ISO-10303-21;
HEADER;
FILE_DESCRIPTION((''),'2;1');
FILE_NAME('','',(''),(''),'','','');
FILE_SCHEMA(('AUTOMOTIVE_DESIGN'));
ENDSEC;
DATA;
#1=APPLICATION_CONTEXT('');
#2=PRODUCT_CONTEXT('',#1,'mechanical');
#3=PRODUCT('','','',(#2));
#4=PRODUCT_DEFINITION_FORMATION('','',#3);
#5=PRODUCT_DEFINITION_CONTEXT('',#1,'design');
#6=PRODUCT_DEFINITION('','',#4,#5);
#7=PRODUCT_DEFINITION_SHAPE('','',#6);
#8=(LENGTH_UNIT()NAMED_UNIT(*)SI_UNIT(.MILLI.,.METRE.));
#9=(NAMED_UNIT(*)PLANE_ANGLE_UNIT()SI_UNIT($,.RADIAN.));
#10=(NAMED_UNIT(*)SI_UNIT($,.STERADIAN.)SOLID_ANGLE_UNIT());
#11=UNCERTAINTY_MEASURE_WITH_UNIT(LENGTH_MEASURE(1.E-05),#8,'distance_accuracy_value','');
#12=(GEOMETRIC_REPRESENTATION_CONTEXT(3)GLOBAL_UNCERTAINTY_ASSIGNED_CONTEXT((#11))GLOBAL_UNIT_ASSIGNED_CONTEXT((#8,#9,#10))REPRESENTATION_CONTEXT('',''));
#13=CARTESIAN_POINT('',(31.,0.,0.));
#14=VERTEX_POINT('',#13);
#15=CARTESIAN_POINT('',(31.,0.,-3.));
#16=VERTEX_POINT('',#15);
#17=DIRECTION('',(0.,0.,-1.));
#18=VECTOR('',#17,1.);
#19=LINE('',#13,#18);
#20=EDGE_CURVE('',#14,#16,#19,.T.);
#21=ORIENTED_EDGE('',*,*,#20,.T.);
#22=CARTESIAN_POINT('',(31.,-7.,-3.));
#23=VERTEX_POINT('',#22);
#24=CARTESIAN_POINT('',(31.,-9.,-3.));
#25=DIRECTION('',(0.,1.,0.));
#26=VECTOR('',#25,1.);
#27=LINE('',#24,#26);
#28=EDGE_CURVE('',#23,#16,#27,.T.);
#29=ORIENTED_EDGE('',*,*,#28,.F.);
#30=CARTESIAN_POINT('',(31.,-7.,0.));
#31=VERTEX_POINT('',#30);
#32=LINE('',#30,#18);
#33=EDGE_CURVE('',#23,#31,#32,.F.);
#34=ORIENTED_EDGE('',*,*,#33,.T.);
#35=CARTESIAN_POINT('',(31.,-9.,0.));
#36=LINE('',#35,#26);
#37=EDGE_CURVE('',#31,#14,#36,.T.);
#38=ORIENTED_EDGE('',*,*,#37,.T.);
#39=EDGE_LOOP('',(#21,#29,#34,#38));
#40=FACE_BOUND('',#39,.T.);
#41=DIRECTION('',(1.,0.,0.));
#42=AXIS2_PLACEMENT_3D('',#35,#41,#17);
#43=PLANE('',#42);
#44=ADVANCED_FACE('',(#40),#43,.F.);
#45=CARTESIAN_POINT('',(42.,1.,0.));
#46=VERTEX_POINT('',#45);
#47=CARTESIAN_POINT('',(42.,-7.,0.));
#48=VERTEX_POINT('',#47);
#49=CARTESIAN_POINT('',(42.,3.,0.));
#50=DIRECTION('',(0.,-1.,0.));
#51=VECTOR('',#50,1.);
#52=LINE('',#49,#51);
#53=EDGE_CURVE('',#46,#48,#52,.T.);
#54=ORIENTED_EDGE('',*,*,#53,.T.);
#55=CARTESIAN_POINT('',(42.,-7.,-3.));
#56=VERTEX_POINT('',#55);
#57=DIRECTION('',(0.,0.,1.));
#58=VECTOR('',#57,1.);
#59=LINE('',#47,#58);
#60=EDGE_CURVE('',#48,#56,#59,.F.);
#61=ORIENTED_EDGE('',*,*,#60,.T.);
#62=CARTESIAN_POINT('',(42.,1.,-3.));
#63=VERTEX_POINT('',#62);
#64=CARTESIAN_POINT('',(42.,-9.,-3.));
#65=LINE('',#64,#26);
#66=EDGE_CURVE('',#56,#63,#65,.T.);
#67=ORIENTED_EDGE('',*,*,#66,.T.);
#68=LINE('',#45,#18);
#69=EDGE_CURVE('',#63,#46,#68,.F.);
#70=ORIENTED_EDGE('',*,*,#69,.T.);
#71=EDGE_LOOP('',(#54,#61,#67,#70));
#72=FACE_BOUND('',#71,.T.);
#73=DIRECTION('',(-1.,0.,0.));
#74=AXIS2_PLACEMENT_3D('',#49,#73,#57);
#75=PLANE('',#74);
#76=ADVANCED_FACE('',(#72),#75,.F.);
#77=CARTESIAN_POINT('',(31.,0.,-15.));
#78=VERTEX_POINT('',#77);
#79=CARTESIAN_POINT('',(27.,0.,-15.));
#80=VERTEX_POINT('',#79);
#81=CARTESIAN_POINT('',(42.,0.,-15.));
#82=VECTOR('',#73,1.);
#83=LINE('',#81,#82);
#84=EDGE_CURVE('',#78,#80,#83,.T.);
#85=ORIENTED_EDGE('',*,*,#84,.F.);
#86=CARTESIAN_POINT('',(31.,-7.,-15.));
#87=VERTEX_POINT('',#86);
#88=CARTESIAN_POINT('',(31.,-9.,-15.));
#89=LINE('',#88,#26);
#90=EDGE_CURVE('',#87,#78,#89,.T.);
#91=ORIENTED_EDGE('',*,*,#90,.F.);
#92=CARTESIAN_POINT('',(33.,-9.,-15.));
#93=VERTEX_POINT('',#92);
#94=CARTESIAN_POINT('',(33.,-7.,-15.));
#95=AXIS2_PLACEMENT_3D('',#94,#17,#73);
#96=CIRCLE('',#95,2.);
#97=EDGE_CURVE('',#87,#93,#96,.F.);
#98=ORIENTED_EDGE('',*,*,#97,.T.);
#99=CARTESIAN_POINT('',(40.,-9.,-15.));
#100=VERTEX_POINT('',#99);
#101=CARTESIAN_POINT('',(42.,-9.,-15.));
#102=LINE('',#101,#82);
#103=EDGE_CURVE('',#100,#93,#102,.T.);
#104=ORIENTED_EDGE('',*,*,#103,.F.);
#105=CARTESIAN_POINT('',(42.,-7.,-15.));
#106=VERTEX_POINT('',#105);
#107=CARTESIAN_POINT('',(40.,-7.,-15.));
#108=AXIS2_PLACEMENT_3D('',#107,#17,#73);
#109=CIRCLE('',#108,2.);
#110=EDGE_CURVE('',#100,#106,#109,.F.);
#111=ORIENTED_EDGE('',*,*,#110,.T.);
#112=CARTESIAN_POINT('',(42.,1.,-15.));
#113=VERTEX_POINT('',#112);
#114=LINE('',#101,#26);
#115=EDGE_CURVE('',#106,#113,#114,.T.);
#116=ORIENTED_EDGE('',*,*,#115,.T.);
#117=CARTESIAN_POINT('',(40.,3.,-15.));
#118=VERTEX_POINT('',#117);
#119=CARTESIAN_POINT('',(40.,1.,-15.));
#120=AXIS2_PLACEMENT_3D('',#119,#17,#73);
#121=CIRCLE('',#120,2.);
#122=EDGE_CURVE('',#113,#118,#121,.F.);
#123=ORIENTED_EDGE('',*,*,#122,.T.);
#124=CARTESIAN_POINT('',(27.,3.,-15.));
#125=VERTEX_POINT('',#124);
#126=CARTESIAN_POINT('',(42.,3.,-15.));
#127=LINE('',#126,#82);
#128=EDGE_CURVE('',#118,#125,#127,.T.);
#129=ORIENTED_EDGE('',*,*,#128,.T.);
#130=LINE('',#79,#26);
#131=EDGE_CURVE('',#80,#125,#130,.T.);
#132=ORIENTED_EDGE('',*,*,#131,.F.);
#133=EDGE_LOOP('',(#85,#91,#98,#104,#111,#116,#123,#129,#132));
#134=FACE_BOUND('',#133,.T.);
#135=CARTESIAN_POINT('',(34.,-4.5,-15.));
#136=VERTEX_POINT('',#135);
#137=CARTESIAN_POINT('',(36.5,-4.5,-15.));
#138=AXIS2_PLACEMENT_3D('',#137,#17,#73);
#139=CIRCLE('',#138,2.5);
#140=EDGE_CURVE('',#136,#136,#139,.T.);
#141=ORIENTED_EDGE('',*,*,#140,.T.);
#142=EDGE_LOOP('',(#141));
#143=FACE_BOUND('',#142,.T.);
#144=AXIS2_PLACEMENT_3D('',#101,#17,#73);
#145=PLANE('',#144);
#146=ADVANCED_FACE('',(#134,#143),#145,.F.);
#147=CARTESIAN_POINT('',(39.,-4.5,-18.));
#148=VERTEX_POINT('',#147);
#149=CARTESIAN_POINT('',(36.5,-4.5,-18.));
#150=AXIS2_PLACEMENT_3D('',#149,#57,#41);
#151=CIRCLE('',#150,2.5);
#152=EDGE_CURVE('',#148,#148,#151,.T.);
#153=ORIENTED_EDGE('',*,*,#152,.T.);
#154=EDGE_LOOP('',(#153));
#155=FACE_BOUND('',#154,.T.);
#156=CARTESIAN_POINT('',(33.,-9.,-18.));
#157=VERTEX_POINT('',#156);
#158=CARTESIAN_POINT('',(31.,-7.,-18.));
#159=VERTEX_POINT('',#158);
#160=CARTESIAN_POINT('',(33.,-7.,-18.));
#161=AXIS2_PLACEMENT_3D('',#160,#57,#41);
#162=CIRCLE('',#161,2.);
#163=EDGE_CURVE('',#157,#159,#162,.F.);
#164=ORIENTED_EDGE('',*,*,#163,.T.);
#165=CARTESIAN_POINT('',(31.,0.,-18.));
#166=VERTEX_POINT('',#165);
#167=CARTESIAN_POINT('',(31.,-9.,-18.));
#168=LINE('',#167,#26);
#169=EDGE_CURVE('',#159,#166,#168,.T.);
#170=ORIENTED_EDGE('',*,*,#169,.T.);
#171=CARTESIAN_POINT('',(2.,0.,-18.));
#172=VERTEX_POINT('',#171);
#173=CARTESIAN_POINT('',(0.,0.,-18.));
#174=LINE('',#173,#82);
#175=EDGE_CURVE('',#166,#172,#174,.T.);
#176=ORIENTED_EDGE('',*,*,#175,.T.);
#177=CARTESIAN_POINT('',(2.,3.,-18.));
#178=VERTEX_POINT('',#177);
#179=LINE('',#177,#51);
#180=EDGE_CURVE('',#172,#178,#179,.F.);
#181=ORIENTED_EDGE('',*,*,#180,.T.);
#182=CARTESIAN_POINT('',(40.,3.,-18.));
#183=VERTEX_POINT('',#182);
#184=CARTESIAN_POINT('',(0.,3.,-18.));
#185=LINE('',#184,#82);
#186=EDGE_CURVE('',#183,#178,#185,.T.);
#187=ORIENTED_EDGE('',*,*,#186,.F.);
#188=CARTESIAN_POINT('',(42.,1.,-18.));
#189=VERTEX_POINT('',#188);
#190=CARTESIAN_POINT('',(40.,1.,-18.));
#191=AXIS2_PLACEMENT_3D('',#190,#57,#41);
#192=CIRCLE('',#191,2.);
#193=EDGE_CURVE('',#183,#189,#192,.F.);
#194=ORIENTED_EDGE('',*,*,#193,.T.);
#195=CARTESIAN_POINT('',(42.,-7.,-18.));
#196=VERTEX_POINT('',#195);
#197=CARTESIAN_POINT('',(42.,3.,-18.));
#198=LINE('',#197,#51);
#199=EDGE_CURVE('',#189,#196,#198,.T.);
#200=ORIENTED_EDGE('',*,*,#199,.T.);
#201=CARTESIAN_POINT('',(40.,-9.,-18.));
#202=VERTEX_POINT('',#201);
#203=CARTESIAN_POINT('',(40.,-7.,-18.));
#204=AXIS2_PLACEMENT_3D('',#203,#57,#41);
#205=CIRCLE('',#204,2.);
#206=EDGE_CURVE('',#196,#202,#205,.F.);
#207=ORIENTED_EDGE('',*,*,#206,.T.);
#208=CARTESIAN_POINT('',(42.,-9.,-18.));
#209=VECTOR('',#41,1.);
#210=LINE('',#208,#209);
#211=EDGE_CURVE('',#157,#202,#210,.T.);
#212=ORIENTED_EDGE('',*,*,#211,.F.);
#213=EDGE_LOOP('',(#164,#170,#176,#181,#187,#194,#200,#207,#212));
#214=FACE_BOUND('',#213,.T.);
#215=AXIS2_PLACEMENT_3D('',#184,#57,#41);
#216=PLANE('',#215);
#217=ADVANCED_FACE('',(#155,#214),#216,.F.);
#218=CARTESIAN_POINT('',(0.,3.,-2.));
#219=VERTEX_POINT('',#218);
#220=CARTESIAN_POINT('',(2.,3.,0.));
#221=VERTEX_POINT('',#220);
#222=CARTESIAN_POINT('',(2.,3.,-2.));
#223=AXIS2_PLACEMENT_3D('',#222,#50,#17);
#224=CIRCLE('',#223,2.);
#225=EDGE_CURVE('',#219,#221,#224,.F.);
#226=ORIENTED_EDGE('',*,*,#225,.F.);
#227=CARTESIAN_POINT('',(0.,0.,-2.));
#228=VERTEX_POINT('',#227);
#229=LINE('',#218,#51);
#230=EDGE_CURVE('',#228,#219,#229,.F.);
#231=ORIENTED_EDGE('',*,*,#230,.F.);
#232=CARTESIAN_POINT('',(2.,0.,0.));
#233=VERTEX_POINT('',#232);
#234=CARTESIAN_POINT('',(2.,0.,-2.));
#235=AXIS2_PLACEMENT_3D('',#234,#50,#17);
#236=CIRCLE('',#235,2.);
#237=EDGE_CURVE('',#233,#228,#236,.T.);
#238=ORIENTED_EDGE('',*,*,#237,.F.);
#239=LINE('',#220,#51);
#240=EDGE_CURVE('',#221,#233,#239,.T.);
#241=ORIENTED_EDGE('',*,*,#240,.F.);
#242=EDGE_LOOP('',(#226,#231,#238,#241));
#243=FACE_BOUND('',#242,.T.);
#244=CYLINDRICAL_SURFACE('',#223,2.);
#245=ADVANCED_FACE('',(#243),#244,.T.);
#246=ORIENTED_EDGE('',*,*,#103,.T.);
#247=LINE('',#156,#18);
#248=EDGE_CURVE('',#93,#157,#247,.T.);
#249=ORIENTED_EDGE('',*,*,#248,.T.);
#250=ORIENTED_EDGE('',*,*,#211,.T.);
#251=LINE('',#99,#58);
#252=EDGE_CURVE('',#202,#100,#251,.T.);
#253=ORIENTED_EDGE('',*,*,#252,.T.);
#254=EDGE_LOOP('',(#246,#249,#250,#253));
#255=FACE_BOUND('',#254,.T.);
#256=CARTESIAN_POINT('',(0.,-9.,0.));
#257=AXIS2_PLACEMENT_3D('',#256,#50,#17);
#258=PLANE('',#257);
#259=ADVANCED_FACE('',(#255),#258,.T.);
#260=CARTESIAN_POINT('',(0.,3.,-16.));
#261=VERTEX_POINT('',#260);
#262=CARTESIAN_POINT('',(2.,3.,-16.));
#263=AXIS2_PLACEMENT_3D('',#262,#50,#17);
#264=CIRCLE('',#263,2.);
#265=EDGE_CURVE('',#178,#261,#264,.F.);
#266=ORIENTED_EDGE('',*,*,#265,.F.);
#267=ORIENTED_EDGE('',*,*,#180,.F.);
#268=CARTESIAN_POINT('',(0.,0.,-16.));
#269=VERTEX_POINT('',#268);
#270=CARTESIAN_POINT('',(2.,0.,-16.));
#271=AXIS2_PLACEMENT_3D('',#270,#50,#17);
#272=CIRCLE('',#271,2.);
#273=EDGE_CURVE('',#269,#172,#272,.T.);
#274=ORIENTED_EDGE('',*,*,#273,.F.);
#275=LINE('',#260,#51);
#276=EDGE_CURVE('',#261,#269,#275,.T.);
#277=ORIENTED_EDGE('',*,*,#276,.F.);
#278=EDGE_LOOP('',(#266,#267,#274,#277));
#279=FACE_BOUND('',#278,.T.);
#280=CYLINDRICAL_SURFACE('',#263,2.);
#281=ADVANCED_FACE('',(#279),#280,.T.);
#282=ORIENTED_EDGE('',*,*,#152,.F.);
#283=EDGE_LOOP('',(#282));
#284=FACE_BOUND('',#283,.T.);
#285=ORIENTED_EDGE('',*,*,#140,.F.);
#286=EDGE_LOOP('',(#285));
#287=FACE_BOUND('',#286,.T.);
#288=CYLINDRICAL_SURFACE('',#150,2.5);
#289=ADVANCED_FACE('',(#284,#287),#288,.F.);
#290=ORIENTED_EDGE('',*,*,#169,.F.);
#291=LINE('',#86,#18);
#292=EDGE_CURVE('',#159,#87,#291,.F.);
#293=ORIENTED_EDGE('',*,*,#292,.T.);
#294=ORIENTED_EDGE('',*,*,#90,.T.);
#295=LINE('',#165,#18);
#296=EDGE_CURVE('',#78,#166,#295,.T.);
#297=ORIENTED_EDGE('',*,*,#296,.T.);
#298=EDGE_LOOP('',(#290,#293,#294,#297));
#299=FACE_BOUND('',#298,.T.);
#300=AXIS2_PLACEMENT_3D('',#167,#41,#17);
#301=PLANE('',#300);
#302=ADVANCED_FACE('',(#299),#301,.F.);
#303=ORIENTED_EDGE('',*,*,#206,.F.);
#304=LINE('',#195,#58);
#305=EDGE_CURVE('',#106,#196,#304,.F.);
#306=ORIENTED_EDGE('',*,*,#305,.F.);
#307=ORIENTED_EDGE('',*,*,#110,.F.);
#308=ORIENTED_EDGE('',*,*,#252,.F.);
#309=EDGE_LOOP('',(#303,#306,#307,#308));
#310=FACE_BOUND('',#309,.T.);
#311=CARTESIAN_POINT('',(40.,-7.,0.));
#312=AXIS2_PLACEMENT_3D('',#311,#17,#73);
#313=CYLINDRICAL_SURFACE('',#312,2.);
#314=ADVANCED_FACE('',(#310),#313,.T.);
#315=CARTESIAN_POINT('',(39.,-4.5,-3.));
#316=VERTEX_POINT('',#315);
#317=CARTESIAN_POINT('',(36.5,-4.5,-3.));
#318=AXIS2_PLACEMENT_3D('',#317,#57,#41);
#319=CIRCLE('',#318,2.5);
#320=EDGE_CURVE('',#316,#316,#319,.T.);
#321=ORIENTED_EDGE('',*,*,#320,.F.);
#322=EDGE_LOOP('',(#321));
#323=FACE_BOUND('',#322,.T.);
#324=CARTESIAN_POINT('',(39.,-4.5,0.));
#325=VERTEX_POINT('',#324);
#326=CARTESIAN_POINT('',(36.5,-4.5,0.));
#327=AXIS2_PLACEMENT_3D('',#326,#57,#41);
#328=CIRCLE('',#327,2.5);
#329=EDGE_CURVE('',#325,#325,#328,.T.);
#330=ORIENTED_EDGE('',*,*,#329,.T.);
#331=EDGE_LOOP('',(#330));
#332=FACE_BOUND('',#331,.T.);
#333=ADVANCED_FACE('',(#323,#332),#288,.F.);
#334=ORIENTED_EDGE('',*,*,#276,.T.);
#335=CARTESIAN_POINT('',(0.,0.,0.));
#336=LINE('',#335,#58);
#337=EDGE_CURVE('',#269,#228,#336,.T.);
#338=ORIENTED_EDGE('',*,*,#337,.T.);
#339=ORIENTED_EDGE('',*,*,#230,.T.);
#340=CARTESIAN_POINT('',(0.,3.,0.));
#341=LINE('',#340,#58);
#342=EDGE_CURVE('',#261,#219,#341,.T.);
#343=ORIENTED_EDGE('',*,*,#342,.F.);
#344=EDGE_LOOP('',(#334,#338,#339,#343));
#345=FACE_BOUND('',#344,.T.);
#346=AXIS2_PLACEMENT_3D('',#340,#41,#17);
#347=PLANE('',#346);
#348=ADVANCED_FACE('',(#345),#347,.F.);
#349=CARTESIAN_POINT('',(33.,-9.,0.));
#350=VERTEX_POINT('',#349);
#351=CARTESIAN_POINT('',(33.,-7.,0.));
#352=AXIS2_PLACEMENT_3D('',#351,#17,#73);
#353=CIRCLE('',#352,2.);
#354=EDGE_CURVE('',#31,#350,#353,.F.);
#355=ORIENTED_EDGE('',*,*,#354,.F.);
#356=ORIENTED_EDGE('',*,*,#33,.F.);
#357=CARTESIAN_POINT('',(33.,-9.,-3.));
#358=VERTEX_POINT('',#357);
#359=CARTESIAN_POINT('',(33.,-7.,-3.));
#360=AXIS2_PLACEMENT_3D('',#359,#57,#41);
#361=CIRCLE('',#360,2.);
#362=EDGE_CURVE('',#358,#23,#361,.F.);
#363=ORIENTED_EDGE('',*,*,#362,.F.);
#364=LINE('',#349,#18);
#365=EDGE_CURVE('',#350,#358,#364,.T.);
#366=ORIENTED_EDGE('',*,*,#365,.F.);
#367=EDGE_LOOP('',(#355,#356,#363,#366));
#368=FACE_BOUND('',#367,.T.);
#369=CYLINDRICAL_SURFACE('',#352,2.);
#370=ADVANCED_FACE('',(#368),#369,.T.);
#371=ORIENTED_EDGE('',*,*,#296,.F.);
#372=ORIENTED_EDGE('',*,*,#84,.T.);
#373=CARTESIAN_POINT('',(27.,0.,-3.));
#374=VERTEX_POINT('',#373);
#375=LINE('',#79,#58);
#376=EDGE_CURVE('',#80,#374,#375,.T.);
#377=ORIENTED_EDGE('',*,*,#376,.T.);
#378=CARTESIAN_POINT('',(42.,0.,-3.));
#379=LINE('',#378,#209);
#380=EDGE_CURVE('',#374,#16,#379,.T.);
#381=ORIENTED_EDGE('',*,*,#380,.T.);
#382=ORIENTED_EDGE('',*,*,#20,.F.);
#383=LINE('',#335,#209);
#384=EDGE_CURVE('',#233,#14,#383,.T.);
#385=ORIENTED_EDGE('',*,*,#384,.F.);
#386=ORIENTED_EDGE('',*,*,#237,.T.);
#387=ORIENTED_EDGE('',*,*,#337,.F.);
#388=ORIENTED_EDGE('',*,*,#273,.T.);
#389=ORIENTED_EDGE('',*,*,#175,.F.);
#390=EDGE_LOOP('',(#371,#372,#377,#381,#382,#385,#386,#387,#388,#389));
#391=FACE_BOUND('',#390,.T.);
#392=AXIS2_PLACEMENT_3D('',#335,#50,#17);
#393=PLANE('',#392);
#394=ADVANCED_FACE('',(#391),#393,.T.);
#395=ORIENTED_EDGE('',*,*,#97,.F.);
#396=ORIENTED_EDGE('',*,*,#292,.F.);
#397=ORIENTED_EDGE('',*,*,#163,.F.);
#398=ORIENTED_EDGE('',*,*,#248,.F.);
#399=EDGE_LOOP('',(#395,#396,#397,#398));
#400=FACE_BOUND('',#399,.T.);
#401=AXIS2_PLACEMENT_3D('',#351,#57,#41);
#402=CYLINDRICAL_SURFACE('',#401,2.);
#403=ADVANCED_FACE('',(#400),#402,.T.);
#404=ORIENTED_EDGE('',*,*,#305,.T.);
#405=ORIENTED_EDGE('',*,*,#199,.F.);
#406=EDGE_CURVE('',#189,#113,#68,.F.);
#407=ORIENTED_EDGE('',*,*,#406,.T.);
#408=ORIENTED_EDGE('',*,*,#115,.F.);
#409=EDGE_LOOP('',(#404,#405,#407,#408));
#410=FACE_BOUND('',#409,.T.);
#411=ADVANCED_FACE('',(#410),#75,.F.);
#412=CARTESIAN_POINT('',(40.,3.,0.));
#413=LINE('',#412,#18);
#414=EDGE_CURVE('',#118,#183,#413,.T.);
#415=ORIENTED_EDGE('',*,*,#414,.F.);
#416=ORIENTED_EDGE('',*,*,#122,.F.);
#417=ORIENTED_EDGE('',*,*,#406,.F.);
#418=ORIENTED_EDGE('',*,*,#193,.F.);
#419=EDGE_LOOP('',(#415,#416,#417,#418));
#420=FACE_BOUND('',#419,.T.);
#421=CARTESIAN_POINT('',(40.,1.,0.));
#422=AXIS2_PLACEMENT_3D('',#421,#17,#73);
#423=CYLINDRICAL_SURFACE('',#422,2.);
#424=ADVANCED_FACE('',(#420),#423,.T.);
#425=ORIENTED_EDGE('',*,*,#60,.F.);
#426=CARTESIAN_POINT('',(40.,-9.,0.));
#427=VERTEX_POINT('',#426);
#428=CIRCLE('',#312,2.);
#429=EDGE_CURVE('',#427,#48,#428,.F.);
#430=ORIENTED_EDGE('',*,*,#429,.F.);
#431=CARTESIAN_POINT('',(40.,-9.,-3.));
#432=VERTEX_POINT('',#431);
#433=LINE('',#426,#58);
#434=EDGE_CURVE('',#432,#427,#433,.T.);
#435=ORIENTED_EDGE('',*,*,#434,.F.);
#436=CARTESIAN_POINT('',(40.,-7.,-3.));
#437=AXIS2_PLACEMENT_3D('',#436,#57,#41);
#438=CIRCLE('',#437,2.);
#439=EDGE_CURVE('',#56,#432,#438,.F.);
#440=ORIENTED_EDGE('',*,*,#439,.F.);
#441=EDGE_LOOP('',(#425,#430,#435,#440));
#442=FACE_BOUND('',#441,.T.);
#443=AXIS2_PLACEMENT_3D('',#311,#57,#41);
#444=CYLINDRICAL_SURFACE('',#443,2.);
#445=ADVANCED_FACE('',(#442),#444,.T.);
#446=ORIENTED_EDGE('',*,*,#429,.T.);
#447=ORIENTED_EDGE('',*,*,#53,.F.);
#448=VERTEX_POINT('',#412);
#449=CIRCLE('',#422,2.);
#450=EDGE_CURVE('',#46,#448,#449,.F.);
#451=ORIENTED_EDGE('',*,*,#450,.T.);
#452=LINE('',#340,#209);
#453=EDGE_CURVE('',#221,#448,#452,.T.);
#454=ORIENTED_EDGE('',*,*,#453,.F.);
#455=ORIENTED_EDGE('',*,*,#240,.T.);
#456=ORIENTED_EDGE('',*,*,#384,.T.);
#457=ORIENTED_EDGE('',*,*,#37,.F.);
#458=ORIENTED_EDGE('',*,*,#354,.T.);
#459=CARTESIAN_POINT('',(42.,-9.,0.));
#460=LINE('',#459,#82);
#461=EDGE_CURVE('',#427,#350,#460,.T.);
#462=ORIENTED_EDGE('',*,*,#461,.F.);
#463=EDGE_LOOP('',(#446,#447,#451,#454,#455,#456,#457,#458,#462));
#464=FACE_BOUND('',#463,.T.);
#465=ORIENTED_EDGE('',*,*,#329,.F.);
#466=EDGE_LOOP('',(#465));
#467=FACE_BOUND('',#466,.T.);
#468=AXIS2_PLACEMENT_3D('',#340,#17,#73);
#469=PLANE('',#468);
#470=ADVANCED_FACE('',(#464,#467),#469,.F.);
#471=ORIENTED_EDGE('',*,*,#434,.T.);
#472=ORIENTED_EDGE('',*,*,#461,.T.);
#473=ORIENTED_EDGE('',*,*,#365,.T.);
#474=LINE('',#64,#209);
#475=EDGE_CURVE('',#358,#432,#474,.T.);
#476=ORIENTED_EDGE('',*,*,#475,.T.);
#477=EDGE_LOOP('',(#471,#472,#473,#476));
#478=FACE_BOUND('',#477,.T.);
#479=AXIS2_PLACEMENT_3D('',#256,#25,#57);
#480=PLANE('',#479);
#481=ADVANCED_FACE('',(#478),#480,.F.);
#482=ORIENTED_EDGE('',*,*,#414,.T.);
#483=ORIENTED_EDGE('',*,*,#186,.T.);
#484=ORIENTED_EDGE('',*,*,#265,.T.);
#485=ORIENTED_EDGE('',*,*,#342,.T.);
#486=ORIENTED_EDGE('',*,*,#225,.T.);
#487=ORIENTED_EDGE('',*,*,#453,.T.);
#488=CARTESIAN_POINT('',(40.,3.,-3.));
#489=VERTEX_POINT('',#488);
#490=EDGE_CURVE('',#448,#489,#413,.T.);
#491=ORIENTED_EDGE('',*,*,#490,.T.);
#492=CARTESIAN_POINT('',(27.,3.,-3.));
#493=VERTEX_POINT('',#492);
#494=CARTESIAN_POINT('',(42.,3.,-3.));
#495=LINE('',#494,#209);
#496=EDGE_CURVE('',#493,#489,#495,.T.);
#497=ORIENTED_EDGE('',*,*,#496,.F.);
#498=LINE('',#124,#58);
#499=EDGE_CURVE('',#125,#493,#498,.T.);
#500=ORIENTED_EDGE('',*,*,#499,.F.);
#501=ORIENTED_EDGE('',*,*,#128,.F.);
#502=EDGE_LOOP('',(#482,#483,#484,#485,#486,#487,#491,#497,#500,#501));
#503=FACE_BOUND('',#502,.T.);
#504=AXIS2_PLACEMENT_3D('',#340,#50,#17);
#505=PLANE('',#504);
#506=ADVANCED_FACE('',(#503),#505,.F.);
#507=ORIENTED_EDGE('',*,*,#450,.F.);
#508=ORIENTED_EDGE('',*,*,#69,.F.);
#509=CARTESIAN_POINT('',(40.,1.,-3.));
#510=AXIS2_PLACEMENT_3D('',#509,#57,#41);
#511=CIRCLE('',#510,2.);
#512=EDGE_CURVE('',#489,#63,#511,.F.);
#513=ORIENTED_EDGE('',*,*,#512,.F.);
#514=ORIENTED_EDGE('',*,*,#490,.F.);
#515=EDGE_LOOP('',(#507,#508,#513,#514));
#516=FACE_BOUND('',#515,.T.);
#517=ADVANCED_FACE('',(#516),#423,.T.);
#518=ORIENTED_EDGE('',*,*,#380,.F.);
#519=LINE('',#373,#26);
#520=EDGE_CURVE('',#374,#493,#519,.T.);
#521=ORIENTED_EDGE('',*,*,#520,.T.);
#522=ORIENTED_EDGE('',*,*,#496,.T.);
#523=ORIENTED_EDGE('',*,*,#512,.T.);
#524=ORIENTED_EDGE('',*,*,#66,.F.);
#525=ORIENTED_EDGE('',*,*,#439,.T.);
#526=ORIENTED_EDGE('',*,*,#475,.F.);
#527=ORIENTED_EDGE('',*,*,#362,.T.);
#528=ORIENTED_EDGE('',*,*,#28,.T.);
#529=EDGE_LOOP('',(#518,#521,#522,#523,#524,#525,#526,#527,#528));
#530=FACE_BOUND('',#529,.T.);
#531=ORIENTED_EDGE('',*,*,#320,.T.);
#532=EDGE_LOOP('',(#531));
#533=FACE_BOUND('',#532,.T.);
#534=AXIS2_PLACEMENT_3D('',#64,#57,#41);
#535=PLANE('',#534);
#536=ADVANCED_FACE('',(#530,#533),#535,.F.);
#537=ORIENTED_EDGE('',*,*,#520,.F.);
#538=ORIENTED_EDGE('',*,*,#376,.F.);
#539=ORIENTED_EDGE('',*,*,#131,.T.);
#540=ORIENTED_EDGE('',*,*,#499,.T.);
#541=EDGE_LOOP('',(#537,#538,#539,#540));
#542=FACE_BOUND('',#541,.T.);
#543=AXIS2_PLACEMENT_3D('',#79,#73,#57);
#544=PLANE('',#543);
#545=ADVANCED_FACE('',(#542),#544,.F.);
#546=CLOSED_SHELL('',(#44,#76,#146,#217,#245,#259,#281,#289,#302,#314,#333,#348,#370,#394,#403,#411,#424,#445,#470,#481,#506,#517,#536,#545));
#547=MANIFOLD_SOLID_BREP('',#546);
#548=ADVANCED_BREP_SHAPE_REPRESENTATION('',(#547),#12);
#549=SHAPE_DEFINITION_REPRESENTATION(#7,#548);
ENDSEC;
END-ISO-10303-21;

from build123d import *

# Parameters (mm, degrees)
SKETCH1_W           = 42
SKETCH1_H           = 18
BOSS_EXTRUDE1_DEPTH = 3
SKETCH2_W           = 11
SKETCH2_H           = 3
BOSS_EXTRUDE2_DEPTH = 9
SKETCH3_R           = 2.5
CUT_EXTRUDE1_DEPTH  = 47.572524089
SKETCH4_W           = 15
SKETCH4_H           = 12
CUT_EXTRUDE2_DEPTH  = 3
FILLET1_R           = 2
FILLET2_R           = 2


with BuildPart() as part:
    # Sketch1 → Boss-Extrude1 (new body)
    with BuildSketch(Plane(origin=(0, 0, 0), x_dir=(1, 0, 0), z_dir=(0, 1, 0))):
        with Locations((21, 9)):
            Rectangle(SKETCH1_W, SKETCH1_H)
    extrude(amount=BOSS_EXTRUDE1_DEPTH)

    # Sketch2 → Boss-Extrude2 (add)
    with BuildSketch(Plane.XZ):
        with Locations((36.5, -1.5)):
            Rectangle(SKETCH2_W, SKETCH2_H)
        with Locations((36.5, -16.5)):
            Rectangle(SKETCH2_W, SKETCH2_H)
    extrude(amount=BOSS_EXTRUDE2_DEPTH)

    # Sketch3 → Cut-Extrude1 (cut, through all)
    with BuildSketch(Plane.XY):
        with Locations((36.5, -4.5)):
            Circle(SKETCH3_R)
    extrude(amount=-CUT_EXTRUDE1_DEPTH, mode=Mode.SUBTRACT)

    # Sketch4 → Cut-Extrude2 (cut)
    with BuildSketch(Plane(origin=(0, 3, 0), x_dir=(1, 0, 0), z_dir=(0, 1, 0))):
        with Locations((34.5, 9)):
            Rectangle(SKETCH4_W, SKETCH4_H)
    extrude(amount=-CUT_EXTRUDE2_DEPTH, mode=Mode.SUBTRACT)

    # Fillet1
    fillet1_edges = [part.edges().sort_by_distance(p)[0] for p in [
        (0, 1.5, -18),
        (0, 1.5, 0),
    ]]
    fillet(fillet1_edges, radius=FILLET1_R)

    # Fillet2
    fillet2_edges = [part.edges().sort_by_distance(p)[0] for p in [
        (42, 3, -1.5),
        (42, -9, -1.5),
        (31, -9, -1.5),
        (42, -9, -16.5),
        (31, -9, -16.5),
        (42, 3, -16.5),
    ]]
    fillet(fillet2_edges, radius=FILLET2_R)


solid = part.part
